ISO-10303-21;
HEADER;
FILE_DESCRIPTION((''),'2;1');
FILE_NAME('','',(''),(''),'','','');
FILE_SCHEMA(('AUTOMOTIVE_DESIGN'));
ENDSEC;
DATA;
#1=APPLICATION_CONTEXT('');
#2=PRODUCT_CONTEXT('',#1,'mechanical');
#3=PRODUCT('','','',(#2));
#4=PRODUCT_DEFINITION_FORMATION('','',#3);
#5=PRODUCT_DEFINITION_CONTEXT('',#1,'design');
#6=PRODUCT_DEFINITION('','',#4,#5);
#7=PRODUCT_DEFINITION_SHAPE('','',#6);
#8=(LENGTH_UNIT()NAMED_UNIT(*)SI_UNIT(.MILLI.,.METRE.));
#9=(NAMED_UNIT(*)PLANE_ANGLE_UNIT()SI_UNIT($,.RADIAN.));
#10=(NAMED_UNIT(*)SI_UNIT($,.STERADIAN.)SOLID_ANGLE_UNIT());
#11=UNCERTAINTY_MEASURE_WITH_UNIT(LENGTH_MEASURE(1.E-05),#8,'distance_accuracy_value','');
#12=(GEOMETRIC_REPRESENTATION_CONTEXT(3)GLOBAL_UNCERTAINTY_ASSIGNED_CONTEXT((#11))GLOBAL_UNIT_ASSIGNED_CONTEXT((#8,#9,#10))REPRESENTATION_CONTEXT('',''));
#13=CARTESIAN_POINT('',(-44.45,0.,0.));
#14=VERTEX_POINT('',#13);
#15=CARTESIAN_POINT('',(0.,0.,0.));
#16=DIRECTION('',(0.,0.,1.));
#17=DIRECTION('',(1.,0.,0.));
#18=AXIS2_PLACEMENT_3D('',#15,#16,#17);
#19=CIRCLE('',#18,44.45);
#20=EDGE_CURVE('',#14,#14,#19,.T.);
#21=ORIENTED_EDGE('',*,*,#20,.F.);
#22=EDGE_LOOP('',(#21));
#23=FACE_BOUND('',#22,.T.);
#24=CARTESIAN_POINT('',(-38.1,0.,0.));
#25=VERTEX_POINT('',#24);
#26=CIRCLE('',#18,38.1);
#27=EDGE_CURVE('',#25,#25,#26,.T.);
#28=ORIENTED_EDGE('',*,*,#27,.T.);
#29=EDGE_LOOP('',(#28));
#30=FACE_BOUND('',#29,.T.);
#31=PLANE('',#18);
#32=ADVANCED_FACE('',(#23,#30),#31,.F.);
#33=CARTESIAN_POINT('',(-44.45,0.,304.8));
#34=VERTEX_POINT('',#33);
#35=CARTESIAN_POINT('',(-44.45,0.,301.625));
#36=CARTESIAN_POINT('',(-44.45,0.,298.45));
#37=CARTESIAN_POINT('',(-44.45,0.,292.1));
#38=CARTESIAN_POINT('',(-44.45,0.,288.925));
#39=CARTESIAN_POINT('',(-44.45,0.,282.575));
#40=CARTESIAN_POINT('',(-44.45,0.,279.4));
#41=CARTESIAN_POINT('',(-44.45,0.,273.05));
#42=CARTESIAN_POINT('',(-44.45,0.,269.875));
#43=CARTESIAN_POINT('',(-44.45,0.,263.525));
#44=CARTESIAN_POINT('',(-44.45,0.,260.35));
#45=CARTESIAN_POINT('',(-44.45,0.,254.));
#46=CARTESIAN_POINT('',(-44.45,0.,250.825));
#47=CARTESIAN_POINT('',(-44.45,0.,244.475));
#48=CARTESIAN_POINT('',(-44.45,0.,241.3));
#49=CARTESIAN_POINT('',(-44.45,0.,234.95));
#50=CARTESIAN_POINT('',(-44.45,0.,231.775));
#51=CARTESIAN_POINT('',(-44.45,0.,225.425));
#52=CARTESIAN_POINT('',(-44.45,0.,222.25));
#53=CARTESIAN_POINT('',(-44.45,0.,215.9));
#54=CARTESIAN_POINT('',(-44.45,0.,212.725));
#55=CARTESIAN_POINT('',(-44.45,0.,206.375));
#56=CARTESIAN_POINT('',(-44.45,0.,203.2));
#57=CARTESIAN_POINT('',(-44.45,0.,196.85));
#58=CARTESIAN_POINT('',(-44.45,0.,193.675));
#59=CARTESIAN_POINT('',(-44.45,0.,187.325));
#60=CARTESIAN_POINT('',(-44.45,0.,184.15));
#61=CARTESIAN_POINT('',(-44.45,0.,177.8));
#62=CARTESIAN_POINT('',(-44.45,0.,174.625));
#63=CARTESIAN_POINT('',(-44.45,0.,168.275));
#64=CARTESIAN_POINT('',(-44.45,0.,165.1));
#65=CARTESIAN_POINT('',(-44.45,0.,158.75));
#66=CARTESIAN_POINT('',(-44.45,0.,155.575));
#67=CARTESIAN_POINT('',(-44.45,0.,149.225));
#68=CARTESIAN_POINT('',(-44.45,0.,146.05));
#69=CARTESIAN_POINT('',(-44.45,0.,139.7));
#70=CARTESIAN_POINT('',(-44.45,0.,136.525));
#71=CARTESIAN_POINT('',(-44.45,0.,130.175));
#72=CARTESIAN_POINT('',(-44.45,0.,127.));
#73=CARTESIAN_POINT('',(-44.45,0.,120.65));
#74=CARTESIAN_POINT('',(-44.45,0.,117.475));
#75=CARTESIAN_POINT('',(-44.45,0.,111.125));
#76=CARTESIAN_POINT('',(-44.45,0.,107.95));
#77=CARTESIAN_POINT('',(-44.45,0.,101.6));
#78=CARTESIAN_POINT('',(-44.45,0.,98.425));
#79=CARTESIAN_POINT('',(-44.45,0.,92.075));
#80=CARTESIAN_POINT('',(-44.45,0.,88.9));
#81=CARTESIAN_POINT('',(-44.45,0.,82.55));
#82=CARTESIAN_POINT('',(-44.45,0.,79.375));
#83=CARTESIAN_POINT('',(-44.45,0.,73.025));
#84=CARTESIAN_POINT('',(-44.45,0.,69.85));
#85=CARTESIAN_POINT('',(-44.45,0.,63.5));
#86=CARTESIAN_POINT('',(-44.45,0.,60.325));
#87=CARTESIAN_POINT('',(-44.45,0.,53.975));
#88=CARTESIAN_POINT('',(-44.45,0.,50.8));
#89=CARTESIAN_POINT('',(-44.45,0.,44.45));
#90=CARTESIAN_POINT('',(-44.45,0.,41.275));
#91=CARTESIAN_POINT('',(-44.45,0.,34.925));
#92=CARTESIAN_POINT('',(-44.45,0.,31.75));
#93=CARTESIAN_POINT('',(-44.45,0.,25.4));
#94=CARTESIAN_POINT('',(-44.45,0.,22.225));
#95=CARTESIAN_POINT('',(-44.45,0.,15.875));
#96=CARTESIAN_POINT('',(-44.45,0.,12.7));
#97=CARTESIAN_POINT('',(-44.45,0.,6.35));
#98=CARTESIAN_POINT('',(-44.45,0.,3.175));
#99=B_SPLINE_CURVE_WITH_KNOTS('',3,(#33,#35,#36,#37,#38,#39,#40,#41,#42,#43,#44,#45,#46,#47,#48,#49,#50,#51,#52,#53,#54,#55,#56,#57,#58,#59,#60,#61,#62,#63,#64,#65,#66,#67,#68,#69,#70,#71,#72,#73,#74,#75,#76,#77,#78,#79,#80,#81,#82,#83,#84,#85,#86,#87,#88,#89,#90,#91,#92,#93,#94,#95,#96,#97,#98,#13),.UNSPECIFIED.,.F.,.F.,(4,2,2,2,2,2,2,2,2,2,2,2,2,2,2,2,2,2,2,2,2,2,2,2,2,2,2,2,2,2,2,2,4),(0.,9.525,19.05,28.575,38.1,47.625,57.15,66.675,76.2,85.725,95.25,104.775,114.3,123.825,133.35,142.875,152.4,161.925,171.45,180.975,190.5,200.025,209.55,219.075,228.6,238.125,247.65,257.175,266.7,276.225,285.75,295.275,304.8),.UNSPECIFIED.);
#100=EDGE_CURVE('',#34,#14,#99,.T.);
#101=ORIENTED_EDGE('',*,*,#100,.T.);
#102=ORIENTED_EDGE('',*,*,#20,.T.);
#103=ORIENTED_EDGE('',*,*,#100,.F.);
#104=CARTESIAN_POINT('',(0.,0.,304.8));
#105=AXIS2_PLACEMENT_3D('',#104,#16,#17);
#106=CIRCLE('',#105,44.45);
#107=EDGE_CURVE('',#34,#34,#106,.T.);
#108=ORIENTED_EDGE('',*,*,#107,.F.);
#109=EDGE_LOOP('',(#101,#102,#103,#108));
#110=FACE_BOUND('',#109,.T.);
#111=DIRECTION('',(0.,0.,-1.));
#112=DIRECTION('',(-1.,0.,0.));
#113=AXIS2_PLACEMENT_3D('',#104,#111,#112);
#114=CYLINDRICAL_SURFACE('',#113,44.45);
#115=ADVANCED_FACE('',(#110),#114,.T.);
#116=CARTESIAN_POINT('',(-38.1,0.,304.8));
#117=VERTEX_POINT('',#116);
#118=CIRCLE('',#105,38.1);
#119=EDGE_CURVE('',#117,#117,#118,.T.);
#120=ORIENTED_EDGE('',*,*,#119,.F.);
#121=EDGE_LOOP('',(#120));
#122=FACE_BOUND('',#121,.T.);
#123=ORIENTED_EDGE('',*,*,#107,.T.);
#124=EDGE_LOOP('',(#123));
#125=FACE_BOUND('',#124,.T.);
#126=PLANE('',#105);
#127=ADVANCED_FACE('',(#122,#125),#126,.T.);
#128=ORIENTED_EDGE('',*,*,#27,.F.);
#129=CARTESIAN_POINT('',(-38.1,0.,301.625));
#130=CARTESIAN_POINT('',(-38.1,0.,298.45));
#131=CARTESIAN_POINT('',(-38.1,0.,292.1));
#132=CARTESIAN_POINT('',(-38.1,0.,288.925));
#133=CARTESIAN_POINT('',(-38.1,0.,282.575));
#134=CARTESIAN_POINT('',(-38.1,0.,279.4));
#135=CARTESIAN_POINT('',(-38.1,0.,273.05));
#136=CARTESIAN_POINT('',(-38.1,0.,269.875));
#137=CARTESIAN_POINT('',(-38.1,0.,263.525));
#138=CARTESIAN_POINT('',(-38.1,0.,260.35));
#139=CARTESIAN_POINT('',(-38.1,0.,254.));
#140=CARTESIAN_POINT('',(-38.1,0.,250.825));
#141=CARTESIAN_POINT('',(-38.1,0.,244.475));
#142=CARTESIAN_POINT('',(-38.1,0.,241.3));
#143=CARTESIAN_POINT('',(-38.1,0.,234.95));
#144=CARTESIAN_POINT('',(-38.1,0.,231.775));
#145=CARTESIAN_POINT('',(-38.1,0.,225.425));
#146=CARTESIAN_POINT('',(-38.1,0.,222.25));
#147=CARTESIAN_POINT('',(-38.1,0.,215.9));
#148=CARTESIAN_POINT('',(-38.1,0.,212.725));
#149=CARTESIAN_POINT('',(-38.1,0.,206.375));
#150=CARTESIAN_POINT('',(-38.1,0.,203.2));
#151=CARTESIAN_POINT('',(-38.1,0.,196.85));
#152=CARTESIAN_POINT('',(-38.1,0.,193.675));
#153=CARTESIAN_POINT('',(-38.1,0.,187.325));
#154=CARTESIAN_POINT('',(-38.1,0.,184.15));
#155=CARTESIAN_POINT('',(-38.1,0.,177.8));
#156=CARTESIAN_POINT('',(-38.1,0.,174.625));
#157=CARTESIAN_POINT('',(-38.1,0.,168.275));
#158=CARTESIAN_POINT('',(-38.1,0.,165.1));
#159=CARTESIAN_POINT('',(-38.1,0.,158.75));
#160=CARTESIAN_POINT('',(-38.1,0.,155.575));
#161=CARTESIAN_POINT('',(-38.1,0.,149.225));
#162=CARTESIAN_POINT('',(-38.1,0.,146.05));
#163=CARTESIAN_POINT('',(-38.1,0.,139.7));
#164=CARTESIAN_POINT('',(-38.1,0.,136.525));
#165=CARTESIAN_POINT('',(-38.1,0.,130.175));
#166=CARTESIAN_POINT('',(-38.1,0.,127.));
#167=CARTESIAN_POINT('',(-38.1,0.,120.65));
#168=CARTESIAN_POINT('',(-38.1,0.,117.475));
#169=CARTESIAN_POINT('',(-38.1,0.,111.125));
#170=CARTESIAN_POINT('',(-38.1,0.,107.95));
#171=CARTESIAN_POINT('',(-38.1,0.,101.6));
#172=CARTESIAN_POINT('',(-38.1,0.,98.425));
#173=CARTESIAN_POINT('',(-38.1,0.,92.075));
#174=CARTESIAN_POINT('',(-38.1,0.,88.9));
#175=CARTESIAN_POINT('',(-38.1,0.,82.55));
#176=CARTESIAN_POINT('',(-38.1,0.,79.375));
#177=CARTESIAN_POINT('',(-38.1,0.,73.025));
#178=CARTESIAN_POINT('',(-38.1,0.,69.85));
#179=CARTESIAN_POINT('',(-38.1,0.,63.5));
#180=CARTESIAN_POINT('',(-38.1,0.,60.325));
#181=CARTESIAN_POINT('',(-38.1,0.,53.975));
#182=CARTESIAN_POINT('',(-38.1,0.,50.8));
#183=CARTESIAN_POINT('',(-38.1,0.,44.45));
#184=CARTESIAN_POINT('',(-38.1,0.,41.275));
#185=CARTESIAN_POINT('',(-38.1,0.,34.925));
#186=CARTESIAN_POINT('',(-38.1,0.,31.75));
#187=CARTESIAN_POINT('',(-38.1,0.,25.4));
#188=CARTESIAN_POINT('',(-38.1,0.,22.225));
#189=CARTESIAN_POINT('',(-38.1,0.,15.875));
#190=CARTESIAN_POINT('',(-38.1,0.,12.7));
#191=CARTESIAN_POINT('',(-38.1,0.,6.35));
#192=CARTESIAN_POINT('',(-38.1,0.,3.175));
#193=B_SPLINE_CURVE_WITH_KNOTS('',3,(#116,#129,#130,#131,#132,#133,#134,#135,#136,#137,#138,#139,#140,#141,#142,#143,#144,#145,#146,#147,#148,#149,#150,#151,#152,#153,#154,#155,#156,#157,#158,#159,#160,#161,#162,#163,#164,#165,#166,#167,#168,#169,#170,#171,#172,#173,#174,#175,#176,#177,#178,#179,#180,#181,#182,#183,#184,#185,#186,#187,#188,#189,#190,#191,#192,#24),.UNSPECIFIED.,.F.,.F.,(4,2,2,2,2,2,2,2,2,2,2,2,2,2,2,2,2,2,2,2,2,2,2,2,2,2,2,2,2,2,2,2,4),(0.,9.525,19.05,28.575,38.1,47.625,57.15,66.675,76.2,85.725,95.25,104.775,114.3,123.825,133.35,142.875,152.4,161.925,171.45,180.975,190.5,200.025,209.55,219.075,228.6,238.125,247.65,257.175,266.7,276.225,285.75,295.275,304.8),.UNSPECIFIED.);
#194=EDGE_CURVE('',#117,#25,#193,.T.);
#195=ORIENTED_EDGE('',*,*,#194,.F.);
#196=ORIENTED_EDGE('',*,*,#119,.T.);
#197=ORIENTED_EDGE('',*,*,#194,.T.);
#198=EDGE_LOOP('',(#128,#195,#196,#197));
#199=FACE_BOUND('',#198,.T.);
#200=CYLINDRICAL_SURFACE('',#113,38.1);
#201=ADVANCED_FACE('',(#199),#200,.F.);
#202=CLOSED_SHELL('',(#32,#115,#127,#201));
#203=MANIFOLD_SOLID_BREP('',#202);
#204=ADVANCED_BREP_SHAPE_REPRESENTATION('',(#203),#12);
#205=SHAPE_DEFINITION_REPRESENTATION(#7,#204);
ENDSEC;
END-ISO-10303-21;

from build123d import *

# Parameters (mm, degrees)
SKETCH1_R           = 44.45
SKETCH1_R_2         = 38.1
BOSS_EXTRUDE1_DEPTH = 304.8


with BuildPart() as part:
    # Sketch1 → Boss-Extrude1 (new body)
    with BuildSketch(Plane.XY):
        with Locations(Location((0, 0, 0), (0, 0, 180))):
            Circle(SKETCH1_R)
        with Locations(Location((0, 0, 0), (0, 0, 180))):
            Circle(SKETCH1_R_2, mode=Mode.SUBTRACT)
    extrude(amount=BOSS_EXTRUDE1_DEPTH)


solid = part.part
